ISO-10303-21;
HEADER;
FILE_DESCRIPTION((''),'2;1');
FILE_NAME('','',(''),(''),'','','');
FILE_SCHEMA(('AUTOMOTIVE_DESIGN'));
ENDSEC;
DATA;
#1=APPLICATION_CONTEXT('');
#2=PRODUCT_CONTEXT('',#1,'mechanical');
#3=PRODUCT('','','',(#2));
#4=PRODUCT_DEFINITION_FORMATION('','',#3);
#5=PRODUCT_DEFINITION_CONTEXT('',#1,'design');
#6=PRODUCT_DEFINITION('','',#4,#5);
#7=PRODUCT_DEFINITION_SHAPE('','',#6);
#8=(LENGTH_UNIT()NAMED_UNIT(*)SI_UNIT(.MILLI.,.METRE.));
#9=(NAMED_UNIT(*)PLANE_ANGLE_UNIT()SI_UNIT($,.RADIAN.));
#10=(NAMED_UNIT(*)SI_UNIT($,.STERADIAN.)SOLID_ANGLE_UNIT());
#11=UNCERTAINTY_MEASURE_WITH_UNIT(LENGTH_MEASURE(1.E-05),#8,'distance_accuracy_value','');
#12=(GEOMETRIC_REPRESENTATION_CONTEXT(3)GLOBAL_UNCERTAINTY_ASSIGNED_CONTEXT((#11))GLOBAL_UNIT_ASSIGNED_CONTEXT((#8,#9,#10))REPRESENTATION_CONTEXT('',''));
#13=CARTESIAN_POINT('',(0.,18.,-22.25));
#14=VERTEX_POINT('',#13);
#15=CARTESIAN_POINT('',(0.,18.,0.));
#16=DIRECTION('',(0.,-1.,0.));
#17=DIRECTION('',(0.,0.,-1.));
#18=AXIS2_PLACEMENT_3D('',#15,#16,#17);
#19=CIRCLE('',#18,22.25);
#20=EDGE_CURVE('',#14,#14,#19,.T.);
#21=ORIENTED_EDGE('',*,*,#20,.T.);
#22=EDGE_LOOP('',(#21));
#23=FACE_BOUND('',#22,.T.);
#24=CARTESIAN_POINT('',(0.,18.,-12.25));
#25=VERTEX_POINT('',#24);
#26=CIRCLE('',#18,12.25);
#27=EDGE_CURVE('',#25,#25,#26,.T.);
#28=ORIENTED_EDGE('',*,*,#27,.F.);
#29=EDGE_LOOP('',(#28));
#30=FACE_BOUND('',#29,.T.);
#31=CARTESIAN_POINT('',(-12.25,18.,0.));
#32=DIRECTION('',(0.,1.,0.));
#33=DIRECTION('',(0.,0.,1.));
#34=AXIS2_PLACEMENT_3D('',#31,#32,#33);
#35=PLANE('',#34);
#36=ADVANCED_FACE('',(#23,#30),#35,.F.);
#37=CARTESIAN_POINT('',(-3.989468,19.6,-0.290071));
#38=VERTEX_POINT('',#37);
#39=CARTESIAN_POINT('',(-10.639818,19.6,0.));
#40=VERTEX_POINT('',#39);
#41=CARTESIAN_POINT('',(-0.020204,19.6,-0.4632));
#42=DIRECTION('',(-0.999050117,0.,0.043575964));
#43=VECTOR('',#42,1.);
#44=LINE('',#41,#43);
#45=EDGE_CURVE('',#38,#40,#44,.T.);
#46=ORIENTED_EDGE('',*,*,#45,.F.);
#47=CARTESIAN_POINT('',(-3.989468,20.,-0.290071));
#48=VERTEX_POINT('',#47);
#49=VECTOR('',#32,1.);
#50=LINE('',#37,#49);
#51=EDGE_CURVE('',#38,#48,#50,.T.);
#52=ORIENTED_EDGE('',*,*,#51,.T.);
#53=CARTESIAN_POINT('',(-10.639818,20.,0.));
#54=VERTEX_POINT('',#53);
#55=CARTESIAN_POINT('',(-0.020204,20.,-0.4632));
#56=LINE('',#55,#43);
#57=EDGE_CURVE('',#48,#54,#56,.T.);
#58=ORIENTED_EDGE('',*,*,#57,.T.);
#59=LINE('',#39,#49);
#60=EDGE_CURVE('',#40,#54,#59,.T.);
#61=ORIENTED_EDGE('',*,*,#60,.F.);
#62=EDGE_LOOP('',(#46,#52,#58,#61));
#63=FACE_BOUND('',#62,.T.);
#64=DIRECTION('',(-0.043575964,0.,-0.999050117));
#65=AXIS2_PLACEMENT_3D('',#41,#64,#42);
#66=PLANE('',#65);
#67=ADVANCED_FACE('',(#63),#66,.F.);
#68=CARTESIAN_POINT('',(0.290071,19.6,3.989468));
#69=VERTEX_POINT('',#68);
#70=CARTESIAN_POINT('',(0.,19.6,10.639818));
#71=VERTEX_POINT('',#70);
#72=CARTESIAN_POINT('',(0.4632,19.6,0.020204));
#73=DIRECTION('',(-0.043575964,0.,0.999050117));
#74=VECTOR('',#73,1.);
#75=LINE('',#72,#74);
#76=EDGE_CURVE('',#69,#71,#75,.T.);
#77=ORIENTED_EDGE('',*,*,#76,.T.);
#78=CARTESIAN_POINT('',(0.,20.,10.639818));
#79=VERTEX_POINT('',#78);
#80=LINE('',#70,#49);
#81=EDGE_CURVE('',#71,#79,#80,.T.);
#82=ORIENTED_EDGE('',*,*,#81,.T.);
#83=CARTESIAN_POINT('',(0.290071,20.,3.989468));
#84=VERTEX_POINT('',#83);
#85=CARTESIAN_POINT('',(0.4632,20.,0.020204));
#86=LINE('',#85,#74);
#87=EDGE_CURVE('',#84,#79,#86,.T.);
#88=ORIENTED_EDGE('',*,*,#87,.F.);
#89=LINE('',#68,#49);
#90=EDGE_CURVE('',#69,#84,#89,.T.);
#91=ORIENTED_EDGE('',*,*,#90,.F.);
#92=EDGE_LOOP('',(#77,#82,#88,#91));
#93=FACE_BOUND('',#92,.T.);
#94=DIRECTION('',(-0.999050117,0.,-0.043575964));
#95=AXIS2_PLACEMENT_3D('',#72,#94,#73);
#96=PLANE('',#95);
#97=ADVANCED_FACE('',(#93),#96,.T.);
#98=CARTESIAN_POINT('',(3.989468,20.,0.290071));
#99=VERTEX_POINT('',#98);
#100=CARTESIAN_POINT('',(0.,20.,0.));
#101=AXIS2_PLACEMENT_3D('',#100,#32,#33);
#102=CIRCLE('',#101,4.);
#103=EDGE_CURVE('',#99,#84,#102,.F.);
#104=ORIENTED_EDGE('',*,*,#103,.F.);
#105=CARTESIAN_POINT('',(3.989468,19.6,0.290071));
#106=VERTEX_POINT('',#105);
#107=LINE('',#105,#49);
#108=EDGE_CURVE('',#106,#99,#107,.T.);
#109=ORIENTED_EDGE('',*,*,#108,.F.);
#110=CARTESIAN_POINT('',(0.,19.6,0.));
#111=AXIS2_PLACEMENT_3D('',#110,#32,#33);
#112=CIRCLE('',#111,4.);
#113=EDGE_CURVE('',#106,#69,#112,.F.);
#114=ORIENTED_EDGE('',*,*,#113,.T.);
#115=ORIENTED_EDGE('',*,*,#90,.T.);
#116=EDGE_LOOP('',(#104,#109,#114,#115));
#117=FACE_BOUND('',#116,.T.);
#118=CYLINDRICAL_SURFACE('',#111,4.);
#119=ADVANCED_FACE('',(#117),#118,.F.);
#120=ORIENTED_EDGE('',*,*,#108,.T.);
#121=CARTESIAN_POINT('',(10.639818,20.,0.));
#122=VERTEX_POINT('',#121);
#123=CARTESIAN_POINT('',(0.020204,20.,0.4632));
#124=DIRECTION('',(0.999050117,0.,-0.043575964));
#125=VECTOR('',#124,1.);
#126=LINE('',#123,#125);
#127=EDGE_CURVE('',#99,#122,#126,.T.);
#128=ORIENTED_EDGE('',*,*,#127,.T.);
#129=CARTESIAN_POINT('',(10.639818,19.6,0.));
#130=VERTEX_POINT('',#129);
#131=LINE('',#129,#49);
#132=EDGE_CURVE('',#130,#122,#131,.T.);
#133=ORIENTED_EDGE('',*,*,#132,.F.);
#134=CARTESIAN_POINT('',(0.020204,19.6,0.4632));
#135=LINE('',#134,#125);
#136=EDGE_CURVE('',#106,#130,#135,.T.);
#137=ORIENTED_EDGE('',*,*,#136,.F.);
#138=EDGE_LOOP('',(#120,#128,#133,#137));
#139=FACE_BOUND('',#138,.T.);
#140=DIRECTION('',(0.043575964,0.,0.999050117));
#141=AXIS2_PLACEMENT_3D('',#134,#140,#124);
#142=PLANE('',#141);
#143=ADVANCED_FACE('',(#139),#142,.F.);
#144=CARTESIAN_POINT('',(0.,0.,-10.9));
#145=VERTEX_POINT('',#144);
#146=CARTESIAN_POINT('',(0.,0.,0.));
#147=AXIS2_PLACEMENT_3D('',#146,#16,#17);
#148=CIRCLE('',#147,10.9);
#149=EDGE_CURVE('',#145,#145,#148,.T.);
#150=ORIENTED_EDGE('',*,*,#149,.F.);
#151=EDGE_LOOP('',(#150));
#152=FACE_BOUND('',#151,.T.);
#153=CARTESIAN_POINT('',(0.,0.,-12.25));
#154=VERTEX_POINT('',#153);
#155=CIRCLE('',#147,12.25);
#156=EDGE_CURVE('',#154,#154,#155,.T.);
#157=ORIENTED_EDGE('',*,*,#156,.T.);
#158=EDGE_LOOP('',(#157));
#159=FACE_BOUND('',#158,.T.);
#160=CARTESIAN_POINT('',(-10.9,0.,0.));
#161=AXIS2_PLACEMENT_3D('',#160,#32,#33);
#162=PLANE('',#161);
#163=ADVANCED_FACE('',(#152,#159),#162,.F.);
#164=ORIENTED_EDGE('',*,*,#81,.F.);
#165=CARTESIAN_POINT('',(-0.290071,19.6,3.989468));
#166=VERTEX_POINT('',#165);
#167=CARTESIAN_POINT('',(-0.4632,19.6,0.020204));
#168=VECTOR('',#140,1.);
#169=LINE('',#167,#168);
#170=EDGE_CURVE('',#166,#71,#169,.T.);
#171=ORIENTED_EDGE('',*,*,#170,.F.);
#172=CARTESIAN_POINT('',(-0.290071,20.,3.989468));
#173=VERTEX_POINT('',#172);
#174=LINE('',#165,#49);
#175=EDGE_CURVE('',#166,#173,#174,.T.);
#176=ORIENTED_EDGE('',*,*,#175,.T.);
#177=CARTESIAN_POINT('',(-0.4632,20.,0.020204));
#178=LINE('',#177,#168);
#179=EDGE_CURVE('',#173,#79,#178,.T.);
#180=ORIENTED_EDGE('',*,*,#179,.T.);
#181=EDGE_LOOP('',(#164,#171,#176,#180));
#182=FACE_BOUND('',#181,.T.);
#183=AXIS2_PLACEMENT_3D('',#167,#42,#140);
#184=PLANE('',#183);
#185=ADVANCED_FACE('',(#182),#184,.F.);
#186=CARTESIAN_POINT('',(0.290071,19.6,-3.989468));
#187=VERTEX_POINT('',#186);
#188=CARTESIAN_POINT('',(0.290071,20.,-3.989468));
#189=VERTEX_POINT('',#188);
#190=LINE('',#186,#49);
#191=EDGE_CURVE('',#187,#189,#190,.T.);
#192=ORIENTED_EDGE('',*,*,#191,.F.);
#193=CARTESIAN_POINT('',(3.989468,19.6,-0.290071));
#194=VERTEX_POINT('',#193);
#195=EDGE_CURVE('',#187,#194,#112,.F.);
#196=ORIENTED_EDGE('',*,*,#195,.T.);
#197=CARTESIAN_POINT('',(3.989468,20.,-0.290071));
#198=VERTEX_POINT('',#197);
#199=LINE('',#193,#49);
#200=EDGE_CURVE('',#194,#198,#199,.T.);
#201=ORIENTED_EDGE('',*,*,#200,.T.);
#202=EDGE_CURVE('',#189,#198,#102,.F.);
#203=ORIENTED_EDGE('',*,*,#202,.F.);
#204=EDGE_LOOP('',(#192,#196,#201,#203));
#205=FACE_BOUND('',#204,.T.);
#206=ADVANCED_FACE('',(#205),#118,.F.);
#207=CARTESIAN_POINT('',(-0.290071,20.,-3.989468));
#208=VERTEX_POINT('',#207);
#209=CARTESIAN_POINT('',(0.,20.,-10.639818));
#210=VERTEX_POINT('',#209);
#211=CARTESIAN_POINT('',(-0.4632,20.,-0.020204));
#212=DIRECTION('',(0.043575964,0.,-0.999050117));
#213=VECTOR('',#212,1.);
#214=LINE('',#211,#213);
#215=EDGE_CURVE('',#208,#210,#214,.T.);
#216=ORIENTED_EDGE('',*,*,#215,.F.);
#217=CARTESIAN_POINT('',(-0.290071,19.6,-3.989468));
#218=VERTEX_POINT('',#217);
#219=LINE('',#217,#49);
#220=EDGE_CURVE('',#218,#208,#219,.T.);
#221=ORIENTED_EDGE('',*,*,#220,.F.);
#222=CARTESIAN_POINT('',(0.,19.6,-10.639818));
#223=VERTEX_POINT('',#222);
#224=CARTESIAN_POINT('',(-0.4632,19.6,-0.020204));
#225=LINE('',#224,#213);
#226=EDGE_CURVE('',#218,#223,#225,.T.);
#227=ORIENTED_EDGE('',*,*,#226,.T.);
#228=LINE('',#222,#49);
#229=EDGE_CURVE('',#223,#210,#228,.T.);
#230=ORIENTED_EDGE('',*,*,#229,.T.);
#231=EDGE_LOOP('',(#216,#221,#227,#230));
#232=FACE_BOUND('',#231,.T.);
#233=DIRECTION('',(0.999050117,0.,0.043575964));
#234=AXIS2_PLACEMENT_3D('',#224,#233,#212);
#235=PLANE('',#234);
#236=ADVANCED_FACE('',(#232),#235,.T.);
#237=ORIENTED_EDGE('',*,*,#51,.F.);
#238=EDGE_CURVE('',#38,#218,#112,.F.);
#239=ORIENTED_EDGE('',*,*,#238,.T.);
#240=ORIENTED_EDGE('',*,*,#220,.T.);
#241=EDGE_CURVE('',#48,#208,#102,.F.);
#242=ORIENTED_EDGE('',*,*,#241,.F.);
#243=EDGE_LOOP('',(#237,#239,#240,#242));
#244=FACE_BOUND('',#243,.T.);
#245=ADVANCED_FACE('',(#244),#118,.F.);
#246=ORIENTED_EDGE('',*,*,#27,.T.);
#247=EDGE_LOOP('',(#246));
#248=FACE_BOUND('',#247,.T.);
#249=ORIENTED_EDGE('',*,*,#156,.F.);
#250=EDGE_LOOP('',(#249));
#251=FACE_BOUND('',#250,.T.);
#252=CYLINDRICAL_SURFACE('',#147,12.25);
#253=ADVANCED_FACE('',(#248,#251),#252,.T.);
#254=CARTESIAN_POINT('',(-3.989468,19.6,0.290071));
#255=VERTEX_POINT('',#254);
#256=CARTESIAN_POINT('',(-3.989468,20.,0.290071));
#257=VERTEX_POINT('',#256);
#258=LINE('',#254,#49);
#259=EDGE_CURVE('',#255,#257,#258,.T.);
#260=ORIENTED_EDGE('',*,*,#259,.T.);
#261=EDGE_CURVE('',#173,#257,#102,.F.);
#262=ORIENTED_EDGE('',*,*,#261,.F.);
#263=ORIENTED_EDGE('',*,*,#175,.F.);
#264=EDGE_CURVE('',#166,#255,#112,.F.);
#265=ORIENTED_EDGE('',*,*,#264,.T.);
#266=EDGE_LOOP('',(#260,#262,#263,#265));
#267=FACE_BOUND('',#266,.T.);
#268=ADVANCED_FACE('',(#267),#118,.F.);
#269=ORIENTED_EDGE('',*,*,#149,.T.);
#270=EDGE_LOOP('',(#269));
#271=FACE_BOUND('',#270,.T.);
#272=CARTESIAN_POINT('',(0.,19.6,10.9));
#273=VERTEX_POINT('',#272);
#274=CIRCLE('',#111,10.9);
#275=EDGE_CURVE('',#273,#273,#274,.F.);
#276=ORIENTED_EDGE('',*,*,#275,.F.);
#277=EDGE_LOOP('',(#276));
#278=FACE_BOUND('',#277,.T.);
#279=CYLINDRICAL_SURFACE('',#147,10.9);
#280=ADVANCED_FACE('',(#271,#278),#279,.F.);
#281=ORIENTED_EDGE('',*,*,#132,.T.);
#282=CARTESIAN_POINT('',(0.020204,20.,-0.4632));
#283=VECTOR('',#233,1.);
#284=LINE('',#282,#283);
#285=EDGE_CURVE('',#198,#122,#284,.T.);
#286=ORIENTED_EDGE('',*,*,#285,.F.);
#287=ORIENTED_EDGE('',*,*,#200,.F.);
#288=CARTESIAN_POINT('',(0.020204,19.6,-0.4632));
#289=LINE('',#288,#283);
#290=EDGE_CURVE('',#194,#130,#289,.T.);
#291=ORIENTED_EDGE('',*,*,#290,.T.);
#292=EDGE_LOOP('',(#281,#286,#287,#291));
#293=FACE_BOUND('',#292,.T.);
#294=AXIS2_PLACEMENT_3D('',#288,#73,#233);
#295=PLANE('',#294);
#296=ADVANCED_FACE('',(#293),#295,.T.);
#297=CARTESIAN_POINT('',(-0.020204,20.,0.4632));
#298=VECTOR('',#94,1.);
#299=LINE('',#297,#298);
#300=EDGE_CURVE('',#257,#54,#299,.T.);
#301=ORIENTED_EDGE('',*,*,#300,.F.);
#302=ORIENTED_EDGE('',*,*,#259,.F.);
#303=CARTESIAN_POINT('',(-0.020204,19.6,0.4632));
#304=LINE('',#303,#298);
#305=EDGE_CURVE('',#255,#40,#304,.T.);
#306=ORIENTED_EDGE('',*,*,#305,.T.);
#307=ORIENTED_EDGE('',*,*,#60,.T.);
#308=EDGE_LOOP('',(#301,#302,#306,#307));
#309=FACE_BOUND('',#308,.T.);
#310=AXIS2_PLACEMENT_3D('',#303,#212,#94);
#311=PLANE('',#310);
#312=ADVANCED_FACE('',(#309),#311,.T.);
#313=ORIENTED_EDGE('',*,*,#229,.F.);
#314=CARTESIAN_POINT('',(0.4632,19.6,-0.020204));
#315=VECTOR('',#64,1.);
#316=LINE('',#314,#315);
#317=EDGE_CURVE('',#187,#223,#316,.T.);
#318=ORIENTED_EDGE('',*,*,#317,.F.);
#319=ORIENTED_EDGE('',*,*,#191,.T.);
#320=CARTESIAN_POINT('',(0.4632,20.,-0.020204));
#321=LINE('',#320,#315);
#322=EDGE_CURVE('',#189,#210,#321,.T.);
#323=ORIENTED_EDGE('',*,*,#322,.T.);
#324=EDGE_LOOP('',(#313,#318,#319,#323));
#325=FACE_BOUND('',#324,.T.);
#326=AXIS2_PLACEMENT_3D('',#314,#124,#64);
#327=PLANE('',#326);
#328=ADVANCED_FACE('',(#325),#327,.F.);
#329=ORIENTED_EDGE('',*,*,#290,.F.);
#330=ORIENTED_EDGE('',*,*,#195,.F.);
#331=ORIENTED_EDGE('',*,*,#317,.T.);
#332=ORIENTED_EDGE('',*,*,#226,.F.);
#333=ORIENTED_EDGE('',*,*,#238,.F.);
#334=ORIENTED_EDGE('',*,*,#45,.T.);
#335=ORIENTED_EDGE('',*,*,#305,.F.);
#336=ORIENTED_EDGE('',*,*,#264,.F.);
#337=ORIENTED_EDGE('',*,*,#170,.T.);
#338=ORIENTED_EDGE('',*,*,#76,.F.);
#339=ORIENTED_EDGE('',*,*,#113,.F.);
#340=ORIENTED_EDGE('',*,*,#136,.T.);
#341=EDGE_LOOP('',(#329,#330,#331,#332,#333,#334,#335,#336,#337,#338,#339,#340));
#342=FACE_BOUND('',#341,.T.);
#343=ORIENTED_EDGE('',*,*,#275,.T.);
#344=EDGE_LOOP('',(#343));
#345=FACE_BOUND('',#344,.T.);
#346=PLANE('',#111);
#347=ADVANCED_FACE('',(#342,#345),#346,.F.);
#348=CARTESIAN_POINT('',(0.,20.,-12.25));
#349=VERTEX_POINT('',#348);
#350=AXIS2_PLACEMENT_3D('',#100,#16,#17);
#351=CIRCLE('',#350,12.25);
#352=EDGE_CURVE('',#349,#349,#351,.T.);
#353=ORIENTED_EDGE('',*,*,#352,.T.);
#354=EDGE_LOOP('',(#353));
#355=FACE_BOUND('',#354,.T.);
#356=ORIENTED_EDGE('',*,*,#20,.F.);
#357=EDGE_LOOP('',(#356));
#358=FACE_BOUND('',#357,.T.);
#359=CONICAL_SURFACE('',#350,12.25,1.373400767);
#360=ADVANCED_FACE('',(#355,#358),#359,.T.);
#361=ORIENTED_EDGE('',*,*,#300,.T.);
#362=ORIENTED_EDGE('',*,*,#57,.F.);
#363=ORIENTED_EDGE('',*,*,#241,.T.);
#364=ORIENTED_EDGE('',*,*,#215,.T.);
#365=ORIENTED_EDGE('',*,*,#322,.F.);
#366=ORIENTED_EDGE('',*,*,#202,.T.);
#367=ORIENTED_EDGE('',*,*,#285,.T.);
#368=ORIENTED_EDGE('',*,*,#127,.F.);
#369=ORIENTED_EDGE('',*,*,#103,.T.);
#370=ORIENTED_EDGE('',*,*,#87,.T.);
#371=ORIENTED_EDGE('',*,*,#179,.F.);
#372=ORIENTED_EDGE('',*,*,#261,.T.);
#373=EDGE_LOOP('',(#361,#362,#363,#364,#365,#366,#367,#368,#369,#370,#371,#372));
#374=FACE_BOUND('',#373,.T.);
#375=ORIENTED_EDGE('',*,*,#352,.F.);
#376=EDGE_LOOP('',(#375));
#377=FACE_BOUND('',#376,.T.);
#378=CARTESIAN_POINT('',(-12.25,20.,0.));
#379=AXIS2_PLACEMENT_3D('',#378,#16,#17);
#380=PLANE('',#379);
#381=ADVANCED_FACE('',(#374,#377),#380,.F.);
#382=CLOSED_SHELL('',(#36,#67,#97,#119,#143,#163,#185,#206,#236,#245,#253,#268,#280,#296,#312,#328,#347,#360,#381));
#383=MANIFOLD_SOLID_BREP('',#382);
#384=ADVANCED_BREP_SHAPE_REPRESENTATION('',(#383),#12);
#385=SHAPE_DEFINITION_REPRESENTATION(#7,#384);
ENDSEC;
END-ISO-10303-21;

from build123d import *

# Parameters (mm, degrees)
SALIENTE_EXTRUIR2_DEPTH = 0.4


with BuildPart() as part:
    # Croquis1 → Revolución1 (revolve)
    with BuildSketch(Plane.XY):
        Polygon((-10.9, 20), (-10.9, 0), (-12.25, 0), (-12.25, 18), (-22.25, 18), (-12.25, 20), align=None)
    revolve(axis=Axis((0, 0, 0), (0, 1, 0)))

    # Croquis3 → Saliente-Extruir2 (add)
    with BuildSketch(Plane(origin=(0, 20, 0), x_dir=(1, 0, 0), z_dir=(0, 1, 0))):
        with BuildLine():
            ThreePointArc((10.9, 0), (7.707463915, -7.707463915), (0, -10.9))
            ThreePointArc((0, -10.9), (-7.707463915, -7.707463915), (-10.9, 0))
            ThreePointArc((-10.9, 0), (-7.707463915, 7.707463915), (0, 10.9))
            ThreePointArc((0, 10.9), (7.707463915, 7.707463915), (10.9, 0))
        make_face()
        with BuildLine():
            Line((0.290070904, -3.989468495), (0, -10.639817501))
            Line((0, -10.639817501), (-0.290070904, -3.989468495))
            ThreePointArc((-0.290070904, -3.989468495), (-2.828427125, -2.828427125), (-3.989468495, -0.290070904))
            Line((-3.989468495, -0.290070904), (-10.639817501, 0))
            Line((-10.639817501, 0), (-3.989468495, 0.290070904))
            ThreePointArc((-3.989468495, 0.290070904), (-2.828427125, 2.828427125), (-0.290070904, 3.989468495))
            Line((-0.290070904, 3.989468495), (0, 10.639817501))
            Line((0, 10.639817501), (0.290070904, 3.989468495))
            ThreePointArc((0.290070904, 3.989468495), (2.828427125, 2.828427125), (3.989468495, 0.290070904))
            Line((3.989468495, 0.290070904), (10.639817501, 0))
            Line((10.639817501, 0), (3.989468495, -0.290070904))
            ThreePointArc((3.989468495, -0.290070904), (2.828427125, -2.828427125), (0.290070904, -3.989468495))
        make_face(mode=Mode.SUBTRACT)
    extrude(amount=-SALIENTE_EXTRUIR2_DEPTH)


solid = part.part
